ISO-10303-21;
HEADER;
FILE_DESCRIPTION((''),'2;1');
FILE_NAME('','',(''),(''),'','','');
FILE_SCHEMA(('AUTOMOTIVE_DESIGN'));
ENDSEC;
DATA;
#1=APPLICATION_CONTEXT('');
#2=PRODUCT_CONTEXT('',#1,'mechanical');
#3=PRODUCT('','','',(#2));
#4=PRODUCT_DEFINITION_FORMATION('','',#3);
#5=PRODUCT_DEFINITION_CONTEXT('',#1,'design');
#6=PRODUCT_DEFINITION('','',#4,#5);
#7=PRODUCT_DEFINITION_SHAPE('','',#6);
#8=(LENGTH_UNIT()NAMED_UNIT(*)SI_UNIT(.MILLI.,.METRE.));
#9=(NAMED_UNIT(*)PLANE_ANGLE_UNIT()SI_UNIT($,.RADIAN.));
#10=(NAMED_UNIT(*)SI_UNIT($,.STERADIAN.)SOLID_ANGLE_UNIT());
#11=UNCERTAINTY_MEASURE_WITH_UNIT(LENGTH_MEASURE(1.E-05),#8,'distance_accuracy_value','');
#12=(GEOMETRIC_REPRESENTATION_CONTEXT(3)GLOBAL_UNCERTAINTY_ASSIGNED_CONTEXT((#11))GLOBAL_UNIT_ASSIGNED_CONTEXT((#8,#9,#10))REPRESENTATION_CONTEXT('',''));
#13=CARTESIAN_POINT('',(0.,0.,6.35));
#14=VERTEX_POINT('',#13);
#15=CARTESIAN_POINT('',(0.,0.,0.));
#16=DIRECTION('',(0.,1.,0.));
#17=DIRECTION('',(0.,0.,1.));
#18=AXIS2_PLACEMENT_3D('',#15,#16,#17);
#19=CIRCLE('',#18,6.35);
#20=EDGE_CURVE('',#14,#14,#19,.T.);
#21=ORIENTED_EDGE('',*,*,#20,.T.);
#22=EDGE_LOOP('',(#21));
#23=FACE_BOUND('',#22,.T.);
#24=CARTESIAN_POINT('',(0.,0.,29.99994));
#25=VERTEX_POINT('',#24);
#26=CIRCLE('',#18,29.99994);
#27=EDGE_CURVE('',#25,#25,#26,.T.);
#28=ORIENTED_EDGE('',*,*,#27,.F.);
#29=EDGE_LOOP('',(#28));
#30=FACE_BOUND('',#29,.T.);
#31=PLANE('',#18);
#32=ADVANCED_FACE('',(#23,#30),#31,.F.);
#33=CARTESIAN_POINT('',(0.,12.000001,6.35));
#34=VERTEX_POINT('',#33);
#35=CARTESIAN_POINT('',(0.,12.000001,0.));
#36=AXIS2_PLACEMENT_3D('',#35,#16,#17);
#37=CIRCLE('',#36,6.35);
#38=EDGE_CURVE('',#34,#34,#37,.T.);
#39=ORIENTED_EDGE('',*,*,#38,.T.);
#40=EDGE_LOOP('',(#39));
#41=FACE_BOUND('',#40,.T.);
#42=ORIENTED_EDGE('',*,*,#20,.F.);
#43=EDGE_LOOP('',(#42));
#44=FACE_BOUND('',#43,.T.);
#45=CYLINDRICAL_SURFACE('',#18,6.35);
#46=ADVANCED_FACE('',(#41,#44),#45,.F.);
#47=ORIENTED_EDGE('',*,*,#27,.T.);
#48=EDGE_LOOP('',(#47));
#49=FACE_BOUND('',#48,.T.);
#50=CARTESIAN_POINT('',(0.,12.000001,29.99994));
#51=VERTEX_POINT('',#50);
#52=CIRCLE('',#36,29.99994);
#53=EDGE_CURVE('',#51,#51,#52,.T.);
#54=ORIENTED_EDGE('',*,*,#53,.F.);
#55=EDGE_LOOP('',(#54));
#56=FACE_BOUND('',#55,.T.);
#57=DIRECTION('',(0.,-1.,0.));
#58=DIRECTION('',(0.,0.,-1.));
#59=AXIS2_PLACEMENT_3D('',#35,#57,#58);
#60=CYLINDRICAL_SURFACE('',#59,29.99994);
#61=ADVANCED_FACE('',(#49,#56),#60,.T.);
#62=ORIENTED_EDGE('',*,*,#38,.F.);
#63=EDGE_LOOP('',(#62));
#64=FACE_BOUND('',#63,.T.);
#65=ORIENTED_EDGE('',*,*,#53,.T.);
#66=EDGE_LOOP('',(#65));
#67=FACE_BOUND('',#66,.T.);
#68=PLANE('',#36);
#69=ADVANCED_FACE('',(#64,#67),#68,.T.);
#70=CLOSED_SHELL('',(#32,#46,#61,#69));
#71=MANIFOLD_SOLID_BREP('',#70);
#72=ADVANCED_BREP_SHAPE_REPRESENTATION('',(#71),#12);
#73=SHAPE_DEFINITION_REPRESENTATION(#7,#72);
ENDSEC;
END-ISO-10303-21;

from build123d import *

# Parameters (mm, degrees)
SKETCH1_R           = 29.99994
BOSS_EXTRUDE1_DEPTH = 12.0000014
SKETCH2_R           = 6.35
CUT_EXTRUDE1_DEPTH  = 12.0000014


with BuildPart() as part:
    # Sketch1 → Boss-Extrude1 (new body)
    with BuildSketch(Plane(origin=(0, 0, 0), x_dir=(1, 0, 0), z_dir=(0, 1, 0))):
        Circle(SKETCH1_R)
    extrude(amount=BOSS_EXTRUDE1_DEPTH)

    # Sketch2 → Cut-Extrude1 (cut)
    with BuildSketch(Plane(origin=(0, 12.0000014, 0), x_dir=(1, 0, 0), z_dir=(0, 1, 0))):
        Circle(SKETCH2_R)
    extrude(amount=-CUT_EXTRUDE1_DEPTH, mode=Mode.SUBTRACT)


solid = part.part
